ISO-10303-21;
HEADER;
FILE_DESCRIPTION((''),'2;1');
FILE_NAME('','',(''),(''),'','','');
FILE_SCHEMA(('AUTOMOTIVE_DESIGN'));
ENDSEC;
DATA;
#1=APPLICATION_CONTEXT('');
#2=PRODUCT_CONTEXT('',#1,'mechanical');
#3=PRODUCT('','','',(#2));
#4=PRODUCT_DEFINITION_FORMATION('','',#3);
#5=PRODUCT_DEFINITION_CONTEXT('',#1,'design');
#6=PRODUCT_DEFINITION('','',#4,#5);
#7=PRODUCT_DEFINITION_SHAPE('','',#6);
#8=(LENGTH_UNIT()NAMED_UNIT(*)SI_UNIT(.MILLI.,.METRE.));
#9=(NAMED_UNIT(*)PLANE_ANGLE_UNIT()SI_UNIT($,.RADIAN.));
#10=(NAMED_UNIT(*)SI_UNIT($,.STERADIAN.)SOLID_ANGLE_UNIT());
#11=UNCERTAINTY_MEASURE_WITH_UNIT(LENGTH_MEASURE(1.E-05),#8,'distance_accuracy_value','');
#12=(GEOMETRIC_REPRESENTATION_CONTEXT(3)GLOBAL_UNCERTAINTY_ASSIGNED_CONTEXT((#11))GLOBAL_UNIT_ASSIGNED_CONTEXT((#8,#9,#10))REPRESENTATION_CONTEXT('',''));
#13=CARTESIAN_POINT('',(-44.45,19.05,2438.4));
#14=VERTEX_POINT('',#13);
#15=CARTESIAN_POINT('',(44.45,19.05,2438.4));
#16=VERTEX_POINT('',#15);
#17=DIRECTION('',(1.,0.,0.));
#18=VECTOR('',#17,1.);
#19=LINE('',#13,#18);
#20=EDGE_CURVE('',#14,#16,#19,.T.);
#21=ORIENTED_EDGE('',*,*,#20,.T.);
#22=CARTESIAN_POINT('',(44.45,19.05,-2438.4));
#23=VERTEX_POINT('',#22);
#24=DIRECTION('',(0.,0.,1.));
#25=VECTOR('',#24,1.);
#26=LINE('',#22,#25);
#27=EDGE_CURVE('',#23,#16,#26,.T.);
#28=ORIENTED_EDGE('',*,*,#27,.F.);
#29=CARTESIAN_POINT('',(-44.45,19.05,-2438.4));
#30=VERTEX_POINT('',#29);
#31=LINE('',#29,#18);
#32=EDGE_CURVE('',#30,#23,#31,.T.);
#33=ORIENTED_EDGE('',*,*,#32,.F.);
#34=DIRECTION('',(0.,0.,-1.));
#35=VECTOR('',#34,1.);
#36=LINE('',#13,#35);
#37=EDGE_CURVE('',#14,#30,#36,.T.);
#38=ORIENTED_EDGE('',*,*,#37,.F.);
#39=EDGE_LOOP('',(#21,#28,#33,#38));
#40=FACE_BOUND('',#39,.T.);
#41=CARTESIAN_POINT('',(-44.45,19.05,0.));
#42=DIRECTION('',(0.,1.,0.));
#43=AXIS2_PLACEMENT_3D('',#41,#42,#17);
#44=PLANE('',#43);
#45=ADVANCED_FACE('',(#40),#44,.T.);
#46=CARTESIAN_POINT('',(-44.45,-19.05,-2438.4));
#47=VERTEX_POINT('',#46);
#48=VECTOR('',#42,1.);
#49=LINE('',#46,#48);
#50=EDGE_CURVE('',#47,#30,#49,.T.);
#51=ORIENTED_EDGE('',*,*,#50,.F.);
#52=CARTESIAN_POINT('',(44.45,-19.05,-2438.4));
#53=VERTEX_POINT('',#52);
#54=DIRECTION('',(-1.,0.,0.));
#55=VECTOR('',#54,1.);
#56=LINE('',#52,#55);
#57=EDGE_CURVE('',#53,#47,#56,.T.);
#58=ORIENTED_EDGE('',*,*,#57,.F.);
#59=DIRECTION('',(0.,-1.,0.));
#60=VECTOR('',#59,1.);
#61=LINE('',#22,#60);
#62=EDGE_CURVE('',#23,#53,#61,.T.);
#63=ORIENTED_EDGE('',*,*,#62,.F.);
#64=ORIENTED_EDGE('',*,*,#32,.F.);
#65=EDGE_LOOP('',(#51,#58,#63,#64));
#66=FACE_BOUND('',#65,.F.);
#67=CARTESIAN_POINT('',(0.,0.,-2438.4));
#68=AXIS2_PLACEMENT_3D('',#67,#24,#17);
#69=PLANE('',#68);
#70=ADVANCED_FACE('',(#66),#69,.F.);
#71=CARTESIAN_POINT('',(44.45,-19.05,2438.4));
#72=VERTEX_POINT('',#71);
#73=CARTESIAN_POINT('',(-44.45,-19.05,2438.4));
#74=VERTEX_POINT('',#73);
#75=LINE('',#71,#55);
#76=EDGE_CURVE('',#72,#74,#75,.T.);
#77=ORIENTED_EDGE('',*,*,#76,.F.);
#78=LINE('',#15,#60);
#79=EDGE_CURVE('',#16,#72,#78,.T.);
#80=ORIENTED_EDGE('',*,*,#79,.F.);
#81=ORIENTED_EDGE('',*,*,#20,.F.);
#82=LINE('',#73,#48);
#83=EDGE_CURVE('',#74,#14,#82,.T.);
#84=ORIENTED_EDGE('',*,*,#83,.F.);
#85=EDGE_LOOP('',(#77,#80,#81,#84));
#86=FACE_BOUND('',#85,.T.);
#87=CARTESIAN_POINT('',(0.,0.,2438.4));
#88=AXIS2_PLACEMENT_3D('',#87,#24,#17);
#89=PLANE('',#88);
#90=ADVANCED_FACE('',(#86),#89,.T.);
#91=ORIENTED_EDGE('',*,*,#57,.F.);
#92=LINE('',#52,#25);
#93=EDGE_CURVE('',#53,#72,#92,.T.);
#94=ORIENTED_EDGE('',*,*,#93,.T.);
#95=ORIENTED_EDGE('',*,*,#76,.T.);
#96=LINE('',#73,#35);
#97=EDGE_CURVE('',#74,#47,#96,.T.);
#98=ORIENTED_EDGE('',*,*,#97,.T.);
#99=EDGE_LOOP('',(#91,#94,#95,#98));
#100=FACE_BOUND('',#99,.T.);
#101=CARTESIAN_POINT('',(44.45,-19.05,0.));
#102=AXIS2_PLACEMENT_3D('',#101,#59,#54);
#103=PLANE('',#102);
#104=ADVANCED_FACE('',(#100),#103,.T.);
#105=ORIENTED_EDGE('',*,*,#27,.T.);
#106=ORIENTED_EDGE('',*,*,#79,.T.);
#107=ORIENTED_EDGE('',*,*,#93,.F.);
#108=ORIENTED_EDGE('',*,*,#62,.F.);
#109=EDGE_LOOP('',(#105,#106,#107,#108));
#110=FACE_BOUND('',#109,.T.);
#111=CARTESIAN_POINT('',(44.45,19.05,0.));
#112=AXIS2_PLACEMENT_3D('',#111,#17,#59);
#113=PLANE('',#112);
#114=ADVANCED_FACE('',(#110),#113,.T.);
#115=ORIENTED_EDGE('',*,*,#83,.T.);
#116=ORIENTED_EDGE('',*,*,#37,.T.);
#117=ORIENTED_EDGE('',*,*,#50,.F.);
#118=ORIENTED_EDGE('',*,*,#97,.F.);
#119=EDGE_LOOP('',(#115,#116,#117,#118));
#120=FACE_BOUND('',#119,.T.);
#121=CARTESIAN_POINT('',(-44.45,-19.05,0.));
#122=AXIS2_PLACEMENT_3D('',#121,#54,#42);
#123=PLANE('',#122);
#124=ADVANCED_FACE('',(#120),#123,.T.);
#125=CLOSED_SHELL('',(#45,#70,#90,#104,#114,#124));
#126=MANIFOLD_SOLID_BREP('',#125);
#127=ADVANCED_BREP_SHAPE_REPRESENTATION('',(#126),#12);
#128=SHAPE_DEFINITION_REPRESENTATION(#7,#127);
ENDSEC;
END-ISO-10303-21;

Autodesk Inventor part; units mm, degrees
ref_plane "YZ Plane" through (0, 0, 0) normal (1, 0, 0) x (0, 1, 0)
ref_plane "XZ Plane" through (0, 0, 0) normal (0, 1, 0) x (-1, 0, 0)
ref_plane "XY Plane" through (0, 0, 0) normal (0, 0, 1) x (1, 0, 0)
sketch "Sketch1" plane through (0, 0, 0) normal (0, 0, 1) x (1, 0, 0)
  line L0 (44.45, -19.05) -> (-44.45, -19.05)
  line L1 (-44.45, -19.05) -> (-44.45, 19.05)
  line L2 (-44.45, 19.05) -> (44.45, 19.05)
  line L3 (44.45, 19.05) -> (44.45, -19.05)
  line L4 (44.45, -19.05) -> (-44.45, 19.05) construction
  line L5 (-44.45, -19.05) -> (44.45, 19.05) construction
  point P0 (0, 0)
  dimension "d0" = 88.9
  dimension "d1" = 38.1
extrude "Extrusion1" add sketch "Sketch1" along normal mid plane 4876.8
properties part number "16'x2x4"
